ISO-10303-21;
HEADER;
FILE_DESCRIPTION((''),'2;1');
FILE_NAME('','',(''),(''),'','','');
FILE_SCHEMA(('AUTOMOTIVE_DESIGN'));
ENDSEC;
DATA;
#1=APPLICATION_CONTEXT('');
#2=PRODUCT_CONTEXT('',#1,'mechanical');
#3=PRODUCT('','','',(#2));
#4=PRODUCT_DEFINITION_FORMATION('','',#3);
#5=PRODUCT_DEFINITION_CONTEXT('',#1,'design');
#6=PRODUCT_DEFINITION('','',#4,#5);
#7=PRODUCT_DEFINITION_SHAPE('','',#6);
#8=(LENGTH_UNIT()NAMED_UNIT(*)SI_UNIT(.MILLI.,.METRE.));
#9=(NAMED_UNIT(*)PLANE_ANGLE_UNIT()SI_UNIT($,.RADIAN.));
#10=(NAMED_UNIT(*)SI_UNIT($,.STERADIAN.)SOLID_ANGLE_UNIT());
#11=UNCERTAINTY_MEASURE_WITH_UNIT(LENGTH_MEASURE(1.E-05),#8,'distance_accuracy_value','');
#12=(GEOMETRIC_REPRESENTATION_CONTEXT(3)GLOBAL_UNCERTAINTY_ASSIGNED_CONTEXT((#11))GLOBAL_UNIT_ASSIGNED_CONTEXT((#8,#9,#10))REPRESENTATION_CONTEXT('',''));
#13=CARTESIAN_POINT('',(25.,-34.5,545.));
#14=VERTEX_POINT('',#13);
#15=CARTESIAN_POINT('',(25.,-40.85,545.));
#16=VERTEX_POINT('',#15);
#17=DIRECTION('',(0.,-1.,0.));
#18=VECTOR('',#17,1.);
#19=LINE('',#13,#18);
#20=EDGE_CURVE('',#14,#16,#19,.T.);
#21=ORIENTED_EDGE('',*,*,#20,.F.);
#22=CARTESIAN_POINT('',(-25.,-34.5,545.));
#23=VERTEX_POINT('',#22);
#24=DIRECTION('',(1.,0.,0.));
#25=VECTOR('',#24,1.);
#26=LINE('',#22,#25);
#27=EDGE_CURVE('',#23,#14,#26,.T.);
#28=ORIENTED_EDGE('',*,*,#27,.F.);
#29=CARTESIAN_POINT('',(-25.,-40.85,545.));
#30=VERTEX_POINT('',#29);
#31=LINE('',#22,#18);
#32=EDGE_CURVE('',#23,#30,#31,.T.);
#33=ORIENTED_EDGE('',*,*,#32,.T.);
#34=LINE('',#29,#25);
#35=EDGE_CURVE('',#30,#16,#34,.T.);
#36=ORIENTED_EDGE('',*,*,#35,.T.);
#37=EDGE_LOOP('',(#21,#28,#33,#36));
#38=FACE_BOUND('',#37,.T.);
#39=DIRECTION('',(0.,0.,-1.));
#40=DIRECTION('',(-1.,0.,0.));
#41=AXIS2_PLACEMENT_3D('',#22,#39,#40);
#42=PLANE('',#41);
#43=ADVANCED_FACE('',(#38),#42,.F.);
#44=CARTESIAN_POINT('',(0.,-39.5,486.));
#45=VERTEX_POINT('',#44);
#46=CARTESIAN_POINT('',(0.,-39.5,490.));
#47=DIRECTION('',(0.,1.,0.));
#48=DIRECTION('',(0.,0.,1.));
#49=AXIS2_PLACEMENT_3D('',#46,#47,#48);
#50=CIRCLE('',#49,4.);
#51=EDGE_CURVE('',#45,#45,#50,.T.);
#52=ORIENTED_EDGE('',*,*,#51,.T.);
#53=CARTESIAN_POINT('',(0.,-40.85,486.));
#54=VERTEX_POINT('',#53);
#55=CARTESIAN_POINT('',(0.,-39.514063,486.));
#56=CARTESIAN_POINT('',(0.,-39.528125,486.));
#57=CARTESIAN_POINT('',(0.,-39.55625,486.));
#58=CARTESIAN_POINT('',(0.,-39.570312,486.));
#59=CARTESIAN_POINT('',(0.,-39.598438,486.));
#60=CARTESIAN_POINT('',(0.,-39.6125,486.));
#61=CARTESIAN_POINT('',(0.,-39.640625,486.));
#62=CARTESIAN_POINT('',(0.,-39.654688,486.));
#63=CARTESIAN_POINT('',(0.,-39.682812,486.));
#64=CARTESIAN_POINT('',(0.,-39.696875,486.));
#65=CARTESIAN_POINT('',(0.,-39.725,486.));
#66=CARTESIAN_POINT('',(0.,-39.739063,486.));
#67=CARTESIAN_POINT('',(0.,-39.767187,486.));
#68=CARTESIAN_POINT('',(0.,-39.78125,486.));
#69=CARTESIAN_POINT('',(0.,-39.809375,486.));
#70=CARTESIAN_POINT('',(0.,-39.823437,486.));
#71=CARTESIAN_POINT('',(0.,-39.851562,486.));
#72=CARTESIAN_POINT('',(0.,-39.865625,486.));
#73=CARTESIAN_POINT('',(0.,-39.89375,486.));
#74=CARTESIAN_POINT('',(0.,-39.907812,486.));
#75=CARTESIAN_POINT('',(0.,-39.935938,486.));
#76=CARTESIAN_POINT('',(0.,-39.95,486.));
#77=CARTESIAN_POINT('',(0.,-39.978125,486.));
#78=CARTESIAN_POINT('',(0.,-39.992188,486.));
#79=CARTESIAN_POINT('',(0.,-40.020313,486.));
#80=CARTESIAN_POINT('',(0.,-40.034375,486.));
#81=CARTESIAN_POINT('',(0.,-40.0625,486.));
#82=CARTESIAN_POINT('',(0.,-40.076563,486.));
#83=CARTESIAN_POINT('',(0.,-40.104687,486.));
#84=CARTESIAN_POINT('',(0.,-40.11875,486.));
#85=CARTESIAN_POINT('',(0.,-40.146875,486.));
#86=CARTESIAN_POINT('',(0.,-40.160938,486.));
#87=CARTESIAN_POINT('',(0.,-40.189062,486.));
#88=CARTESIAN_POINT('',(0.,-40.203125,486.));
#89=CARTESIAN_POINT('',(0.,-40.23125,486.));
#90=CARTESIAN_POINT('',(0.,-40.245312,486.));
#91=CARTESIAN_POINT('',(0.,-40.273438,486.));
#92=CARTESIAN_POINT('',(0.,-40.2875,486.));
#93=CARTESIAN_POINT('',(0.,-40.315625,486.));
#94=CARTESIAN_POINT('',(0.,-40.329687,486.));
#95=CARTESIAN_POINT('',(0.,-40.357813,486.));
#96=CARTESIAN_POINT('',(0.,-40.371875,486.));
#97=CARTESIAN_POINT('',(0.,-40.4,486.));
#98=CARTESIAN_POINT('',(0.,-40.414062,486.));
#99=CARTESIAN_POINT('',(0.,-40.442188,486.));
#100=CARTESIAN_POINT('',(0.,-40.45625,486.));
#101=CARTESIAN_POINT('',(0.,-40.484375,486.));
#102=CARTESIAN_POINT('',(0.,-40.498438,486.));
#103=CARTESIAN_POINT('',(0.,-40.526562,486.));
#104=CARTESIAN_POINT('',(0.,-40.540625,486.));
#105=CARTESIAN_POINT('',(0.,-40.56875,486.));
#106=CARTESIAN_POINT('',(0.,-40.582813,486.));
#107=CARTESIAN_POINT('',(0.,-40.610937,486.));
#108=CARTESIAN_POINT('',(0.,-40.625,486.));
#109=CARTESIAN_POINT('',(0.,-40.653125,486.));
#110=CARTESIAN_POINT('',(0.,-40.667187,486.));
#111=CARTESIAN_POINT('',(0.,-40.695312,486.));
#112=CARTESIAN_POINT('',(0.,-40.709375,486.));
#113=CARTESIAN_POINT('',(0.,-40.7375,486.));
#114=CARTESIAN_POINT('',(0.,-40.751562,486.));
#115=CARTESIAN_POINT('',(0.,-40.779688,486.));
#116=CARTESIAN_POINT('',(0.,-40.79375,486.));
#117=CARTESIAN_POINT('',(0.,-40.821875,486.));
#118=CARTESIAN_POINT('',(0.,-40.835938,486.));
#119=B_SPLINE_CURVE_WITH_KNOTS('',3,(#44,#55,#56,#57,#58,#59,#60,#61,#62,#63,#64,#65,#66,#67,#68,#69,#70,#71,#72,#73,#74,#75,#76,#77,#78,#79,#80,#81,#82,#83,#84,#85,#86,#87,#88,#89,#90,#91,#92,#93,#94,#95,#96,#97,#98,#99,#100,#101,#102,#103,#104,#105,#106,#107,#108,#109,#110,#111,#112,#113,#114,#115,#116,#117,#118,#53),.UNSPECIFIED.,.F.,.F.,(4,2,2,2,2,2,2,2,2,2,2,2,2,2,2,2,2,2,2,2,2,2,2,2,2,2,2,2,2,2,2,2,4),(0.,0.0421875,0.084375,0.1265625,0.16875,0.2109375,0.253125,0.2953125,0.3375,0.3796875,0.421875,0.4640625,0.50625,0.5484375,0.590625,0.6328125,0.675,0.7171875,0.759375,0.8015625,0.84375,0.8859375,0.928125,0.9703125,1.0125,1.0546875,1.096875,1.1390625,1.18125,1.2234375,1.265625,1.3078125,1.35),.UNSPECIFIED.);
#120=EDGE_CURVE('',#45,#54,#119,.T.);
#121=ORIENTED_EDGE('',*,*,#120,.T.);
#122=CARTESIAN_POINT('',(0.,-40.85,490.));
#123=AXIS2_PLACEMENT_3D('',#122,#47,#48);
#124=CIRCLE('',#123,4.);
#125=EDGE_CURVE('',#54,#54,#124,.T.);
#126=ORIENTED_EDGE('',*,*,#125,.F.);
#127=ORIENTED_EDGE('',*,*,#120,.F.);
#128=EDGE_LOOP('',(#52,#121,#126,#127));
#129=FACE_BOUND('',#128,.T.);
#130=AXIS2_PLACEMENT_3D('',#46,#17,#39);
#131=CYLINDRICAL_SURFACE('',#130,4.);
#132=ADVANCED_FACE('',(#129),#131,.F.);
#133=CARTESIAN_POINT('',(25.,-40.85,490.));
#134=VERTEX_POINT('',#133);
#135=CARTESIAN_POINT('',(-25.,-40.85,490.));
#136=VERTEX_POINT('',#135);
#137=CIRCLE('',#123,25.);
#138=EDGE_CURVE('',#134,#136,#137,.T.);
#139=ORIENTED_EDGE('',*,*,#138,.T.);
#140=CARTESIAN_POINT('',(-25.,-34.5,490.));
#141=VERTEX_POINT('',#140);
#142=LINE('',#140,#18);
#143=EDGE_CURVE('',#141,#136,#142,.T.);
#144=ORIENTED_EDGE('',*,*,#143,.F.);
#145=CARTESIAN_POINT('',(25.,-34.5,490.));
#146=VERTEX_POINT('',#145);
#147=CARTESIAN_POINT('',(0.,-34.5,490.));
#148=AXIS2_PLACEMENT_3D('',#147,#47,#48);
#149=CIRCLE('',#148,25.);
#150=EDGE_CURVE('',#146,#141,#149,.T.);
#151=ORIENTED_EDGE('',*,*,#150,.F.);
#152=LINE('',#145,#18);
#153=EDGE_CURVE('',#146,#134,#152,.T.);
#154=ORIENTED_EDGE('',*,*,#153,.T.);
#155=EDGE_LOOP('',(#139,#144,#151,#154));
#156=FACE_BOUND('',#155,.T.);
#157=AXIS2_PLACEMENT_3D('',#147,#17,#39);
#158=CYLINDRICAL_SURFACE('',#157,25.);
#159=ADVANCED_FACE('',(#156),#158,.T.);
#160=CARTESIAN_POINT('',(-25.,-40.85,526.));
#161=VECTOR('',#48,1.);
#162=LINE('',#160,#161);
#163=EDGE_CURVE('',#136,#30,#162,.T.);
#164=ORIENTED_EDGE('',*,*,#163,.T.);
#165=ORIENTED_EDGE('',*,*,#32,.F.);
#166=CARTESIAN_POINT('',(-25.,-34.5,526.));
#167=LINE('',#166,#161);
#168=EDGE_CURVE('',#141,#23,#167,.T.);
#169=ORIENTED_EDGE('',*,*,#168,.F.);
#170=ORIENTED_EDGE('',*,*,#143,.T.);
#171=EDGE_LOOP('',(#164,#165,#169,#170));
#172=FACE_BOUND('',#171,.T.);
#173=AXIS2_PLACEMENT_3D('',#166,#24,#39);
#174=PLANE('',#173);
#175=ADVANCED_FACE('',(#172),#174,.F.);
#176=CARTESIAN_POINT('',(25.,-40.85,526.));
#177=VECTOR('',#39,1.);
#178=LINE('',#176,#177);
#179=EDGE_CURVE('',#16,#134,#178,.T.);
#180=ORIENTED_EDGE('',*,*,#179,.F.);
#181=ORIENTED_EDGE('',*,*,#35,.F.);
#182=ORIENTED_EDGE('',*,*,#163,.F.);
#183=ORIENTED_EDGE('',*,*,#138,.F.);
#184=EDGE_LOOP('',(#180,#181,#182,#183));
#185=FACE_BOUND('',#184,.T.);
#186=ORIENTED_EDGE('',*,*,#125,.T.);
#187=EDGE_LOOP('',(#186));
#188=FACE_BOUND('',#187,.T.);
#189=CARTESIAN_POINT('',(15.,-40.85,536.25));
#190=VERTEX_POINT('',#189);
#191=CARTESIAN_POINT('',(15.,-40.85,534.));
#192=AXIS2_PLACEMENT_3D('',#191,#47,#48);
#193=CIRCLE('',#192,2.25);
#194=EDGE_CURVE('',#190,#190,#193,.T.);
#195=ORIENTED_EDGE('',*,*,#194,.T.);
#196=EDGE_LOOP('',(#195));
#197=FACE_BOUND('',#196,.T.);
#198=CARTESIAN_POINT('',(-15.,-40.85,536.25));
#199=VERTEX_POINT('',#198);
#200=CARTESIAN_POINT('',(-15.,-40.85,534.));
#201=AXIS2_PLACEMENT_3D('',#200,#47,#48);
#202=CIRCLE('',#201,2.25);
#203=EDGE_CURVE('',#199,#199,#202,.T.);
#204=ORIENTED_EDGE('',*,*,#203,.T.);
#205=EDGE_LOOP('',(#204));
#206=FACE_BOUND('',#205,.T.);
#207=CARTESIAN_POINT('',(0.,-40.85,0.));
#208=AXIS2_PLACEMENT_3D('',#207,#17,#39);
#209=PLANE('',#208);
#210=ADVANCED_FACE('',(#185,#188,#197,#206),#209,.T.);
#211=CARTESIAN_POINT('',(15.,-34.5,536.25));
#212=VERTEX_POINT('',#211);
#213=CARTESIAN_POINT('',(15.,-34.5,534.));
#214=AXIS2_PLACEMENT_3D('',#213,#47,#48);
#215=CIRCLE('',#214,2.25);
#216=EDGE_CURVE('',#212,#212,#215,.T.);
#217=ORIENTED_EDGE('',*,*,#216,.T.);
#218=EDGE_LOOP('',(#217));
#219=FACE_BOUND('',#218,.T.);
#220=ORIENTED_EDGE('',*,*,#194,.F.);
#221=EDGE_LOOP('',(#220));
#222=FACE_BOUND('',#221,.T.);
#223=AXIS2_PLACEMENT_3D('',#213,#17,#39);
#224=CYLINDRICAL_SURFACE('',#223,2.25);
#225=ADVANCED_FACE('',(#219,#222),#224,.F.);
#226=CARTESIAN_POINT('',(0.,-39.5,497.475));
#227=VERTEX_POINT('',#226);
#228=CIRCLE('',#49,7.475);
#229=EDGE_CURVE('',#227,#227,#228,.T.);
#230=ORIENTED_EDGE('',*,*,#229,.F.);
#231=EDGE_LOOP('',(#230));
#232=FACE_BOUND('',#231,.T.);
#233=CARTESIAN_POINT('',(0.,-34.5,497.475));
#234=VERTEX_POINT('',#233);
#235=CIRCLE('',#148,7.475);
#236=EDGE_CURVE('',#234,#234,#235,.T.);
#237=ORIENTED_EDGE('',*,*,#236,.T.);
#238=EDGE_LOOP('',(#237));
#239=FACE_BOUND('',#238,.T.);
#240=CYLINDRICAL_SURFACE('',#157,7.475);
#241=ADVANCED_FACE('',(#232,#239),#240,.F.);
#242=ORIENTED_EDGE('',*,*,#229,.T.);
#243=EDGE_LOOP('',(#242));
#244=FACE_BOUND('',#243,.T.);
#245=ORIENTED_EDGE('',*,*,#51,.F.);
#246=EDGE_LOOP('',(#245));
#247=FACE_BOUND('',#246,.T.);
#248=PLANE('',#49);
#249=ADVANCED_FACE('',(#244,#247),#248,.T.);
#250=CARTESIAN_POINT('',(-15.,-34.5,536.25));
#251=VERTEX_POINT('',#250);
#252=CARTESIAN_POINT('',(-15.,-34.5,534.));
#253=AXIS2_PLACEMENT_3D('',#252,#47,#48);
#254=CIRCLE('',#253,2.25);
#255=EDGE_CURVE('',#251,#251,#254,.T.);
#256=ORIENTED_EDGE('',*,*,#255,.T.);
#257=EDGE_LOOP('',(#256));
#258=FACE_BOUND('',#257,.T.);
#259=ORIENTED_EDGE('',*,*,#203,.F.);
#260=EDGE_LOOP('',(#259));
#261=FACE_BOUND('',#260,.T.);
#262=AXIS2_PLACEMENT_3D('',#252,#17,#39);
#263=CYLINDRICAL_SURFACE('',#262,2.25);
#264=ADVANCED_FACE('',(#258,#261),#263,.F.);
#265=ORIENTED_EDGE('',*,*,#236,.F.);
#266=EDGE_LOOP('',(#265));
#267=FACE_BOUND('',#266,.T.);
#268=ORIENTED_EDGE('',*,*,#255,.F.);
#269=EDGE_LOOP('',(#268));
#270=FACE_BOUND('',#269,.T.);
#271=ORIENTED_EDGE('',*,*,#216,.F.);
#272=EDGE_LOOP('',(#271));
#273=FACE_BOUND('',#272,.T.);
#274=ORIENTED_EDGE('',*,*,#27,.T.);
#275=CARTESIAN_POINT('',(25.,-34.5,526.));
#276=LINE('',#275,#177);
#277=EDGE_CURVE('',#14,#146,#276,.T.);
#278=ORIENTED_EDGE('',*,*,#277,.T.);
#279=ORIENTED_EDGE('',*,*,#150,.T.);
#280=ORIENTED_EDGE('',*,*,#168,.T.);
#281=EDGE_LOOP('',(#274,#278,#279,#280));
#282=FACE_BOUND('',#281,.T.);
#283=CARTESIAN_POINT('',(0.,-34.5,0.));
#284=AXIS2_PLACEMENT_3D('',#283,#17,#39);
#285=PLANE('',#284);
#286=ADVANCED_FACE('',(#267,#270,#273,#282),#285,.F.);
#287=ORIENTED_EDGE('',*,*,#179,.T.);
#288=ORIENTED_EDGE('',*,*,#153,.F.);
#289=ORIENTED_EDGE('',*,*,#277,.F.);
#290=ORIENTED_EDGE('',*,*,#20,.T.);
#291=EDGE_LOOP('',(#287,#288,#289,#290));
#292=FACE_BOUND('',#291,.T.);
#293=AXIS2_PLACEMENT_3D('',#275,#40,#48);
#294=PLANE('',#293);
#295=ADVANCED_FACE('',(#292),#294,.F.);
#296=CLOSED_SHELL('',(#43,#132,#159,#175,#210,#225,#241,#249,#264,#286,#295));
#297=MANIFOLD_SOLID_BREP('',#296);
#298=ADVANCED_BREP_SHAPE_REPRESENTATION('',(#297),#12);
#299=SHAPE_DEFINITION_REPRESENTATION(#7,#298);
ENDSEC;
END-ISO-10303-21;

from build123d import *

# Parameters (mm, degrees)
PLACA_START              = -40.85
SK_PLACA_W               = 50
SK_PLACA_H               = 36
PLACA_DEPTH              = 6.35
EXTREMO_START            = -40.85
SK_EXTREMO_R             = 25
EXTREMO_DEPTH            = 6.35
ALOJAMIENTO_696ZZ_START  = -39.5
SK_ALOJAMIENTO_696ZZ_R   = 7.475
ALOJAMIENTO_696ZZ_DEPTH  = 5
PASO_EXTRACTOR_START     = -40.85
SK_PASO_EXTRACTOR_R      = 4
PASO_EXTRACTOR_DEPTH     = 1.35
EXTENSION_PESTANAS_START = -40.85
SK_EXTENSION_PESTANAS_W  = 50
SK_EXTENSION_PESTANAS_H  = 19
EXTENSION_PESTANAS_DEPTH = 6.35
PASANTES_M4_REPISA_START = -40.85
SK_PASANTES_M4_REPISA_R  = 2.25
PASANTES_M4_REPISA_DEPTH = 6.35


with BuildPart() as part:
    # Sk_Placa → Placa (new body)
    with BuildSketch(Plane(origin=(0, 0, 0), x_dir=(1, 0, 0), z_dir=(0, 1, 0)).offset(PLACA_START)):
        with Locations((0, -508)):
            Rectangle(SK_PLACA_W, SK_PLACA_H)
    extrude(amount=PLACA_DEPTH)

    # Sk_Extremo → Extremo (add)
    with BuildSketch(Plane(origin=(0, 0, 0), x_dir=(1, 0, 0), z_dir=(0, 1, 0)).offset(EXTREMO_START)):
        with Locations((0, -490)):
            Circle(SK_EXTREMO_R)
    extrude(amount=EXTREMO_DEPTH)

    # Sk_Alojamiento_696ZZ → Alojamiento_696ZZ (cut)
    with BuildSketch(Plane(origin=(0, 0, 0), x_dir=(1, 0, 0), z_dir=(0, 1, 0)).offset(ALOJAMIENTO_696ZZ_START)):
        with Locations(Location((0, -490, 0), (0, 0, 270))):
            Circle(SK_ALOJAMIENTO_696ZZ_R)
    extrude(amount=ALOJAMIENTO_696ZZ_DEPTH, mode=Mode.SUBTRACT)

    # Sk_Paso_extractor → Paso_extractor (cut)
    with BuildSketch(Plane(origin=(0, 0, 0), x_dir=(1, 0, 0), z_dir=(0, 1, 0)).offset(PASO_EXTRACTOR_START)):
        with Locations(Location((0, -490, 0), (0, 0, 90))):
            Circle(SK_PASO_EXTRACTOR_R)
    extrude(amount=PASO_EXTRACTOR_DEPTH, mode=Mode.SUBTRACT)

    # Sk_Extension_pestanas → Extension_pestanas (add)
    with BuildSketch(Plane(origin=(0, 0, 0), x_dir=(1, 0, 0), z_dir=(0, 1, 0)).offset(EXTENSION_PESTANAS_START)):
        with Locations((0, -535.5)):
            Rectangle(SK_EXTENSION_PESTANAS_W, SK_EXTENSION_PESTANAS_H)
    extrude(amount=EXTENSION_PESTANAS_DEPTH)

    # Sk_Pasantes_M4_repisa → Pasantes_M4_repisa (cut)
    with BuildSketch(Plane(origin=(0, 0, 0), x_dir=(1, 0, 0), z_dir=(0, 1, 0)).offset(PASANTES_M4_REPISA_START)):
        with Locations(Location((-15, -534, 0), (0, 0, 270))):
            Circle(SK_PASANTES_M4_REPISA_R)
        with Locations(Location((15, -534, 0), (0, 0, 270))):
            Circle(SK_PASANTES_M4_REPISA_R)
    extrude(amount=PASANTES_M4_REPISA_DEPTH, mode=Mode.SUBTRACT)


solid = part.part
